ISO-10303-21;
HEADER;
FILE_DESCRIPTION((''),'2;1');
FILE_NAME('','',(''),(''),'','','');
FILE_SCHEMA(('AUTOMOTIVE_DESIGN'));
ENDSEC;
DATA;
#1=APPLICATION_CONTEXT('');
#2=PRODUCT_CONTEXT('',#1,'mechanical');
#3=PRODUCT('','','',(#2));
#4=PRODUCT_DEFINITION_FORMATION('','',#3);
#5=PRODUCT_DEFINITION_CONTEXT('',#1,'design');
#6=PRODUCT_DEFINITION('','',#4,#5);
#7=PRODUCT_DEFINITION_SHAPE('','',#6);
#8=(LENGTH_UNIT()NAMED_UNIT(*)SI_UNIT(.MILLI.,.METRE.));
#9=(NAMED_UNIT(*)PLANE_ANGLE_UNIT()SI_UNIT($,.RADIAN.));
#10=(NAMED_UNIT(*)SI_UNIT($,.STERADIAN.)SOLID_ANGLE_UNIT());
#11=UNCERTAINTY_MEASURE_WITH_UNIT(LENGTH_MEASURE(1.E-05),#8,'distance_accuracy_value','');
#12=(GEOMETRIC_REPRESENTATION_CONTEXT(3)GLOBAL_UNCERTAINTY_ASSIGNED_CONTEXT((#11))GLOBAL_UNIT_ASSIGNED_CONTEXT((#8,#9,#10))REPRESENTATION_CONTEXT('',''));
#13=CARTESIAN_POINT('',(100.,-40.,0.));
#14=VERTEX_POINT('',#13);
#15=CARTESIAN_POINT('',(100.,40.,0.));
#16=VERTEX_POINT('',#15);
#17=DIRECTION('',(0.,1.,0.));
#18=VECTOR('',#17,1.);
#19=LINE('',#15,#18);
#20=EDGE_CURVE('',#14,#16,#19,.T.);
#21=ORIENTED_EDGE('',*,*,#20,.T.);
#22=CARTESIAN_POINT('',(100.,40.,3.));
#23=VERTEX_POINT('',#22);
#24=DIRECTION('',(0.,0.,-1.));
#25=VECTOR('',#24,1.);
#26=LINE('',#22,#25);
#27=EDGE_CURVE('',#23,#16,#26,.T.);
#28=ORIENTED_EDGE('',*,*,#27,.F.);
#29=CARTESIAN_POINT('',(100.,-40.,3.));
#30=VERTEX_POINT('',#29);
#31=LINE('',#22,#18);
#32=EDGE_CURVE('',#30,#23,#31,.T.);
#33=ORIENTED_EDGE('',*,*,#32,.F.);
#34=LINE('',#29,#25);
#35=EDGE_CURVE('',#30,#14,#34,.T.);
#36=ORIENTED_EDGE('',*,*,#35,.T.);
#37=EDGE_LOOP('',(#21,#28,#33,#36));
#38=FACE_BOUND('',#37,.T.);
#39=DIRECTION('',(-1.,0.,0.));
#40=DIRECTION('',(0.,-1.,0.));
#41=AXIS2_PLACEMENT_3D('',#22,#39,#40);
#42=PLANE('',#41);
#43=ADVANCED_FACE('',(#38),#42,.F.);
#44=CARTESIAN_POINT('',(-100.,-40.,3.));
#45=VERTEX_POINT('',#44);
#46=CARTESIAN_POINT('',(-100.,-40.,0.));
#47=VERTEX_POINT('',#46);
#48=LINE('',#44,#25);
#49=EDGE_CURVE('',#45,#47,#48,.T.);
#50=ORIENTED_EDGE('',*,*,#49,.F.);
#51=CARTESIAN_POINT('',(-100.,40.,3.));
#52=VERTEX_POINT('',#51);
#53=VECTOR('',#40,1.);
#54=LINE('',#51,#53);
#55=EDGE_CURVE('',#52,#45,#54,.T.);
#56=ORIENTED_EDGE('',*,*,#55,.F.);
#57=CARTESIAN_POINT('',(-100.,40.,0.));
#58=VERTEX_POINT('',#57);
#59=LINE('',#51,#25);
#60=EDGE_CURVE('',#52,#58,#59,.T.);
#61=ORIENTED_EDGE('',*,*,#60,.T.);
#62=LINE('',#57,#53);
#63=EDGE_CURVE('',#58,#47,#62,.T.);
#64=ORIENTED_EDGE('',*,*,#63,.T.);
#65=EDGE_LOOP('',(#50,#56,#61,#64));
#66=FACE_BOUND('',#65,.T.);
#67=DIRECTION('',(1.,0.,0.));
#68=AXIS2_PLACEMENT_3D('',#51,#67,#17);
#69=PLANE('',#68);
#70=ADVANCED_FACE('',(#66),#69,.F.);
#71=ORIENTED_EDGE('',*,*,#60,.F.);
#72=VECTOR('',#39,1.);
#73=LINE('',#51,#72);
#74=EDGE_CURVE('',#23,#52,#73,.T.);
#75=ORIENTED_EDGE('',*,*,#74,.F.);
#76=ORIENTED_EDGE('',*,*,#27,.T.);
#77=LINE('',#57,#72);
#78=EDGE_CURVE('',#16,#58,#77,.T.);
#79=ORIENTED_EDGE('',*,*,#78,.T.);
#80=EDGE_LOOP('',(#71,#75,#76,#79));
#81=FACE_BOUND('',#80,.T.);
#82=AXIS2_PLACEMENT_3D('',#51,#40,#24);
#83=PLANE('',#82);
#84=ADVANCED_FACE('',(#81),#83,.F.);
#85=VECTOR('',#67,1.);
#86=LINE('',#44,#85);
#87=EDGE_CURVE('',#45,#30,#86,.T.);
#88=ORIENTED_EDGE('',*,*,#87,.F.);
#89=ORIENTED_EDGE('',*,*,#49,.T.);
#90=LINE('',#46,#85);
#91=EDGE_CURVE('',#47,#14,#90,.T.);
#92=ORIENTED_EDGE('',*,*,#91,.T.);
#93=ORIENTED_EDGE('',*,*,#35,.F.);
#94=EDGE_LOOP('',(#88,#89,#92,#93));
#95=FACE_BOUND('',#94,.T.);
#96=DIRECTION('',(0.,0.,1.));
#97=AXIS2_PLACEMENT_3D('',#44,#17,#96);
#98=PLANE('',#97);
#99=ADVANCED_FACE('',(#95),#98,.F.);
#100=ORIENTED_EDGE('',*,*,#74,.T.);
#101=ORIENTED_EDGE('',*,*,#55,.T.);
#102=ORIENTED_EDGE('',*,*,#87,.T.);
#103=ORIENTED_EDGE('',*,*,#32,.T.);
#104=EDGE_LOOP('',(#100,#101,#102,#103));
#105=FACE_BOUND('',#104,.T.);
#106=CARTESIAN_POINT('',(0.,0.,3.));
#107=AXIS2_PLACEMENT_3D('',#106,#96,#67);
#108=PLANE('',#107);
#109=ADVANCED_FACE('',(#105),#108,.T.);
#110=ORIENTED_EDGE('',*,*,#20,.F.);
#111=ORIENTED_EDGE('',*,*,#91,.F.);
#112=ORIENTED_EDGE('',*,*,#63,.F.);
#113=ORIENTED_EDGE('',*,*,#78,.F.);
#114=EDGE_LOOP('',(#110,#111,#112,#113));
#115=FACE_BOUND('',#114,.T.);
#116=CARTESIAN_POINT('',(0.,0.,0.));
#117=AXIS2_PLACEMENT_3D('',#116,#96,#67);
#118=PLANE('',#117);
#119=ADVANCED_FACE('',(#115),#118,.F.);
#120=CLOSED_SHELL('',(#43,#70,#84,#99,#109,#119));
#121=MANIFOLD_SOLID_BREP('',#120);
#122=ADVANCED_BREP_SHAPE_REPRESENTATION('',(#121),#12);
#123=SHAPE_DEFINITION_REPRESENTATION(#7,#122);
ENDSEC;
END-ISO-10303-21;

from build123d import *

# Parameters (mm, degrees)
SKETCH1_W           = 200
SKETCH1_H           = 80
BOSS_EXTRUDE1_DEPTH = 3


with BuildPart() as part:
    # Sketch1 → Boss-Extrude1 (new body)
    with BuildSketch(Plane.XY):
        Rectangle(SKETCH1_W, SKETCH1_H)
    extrude(amount=BOSS_EXTRUDE1_DEPTH)


solid = part.part
